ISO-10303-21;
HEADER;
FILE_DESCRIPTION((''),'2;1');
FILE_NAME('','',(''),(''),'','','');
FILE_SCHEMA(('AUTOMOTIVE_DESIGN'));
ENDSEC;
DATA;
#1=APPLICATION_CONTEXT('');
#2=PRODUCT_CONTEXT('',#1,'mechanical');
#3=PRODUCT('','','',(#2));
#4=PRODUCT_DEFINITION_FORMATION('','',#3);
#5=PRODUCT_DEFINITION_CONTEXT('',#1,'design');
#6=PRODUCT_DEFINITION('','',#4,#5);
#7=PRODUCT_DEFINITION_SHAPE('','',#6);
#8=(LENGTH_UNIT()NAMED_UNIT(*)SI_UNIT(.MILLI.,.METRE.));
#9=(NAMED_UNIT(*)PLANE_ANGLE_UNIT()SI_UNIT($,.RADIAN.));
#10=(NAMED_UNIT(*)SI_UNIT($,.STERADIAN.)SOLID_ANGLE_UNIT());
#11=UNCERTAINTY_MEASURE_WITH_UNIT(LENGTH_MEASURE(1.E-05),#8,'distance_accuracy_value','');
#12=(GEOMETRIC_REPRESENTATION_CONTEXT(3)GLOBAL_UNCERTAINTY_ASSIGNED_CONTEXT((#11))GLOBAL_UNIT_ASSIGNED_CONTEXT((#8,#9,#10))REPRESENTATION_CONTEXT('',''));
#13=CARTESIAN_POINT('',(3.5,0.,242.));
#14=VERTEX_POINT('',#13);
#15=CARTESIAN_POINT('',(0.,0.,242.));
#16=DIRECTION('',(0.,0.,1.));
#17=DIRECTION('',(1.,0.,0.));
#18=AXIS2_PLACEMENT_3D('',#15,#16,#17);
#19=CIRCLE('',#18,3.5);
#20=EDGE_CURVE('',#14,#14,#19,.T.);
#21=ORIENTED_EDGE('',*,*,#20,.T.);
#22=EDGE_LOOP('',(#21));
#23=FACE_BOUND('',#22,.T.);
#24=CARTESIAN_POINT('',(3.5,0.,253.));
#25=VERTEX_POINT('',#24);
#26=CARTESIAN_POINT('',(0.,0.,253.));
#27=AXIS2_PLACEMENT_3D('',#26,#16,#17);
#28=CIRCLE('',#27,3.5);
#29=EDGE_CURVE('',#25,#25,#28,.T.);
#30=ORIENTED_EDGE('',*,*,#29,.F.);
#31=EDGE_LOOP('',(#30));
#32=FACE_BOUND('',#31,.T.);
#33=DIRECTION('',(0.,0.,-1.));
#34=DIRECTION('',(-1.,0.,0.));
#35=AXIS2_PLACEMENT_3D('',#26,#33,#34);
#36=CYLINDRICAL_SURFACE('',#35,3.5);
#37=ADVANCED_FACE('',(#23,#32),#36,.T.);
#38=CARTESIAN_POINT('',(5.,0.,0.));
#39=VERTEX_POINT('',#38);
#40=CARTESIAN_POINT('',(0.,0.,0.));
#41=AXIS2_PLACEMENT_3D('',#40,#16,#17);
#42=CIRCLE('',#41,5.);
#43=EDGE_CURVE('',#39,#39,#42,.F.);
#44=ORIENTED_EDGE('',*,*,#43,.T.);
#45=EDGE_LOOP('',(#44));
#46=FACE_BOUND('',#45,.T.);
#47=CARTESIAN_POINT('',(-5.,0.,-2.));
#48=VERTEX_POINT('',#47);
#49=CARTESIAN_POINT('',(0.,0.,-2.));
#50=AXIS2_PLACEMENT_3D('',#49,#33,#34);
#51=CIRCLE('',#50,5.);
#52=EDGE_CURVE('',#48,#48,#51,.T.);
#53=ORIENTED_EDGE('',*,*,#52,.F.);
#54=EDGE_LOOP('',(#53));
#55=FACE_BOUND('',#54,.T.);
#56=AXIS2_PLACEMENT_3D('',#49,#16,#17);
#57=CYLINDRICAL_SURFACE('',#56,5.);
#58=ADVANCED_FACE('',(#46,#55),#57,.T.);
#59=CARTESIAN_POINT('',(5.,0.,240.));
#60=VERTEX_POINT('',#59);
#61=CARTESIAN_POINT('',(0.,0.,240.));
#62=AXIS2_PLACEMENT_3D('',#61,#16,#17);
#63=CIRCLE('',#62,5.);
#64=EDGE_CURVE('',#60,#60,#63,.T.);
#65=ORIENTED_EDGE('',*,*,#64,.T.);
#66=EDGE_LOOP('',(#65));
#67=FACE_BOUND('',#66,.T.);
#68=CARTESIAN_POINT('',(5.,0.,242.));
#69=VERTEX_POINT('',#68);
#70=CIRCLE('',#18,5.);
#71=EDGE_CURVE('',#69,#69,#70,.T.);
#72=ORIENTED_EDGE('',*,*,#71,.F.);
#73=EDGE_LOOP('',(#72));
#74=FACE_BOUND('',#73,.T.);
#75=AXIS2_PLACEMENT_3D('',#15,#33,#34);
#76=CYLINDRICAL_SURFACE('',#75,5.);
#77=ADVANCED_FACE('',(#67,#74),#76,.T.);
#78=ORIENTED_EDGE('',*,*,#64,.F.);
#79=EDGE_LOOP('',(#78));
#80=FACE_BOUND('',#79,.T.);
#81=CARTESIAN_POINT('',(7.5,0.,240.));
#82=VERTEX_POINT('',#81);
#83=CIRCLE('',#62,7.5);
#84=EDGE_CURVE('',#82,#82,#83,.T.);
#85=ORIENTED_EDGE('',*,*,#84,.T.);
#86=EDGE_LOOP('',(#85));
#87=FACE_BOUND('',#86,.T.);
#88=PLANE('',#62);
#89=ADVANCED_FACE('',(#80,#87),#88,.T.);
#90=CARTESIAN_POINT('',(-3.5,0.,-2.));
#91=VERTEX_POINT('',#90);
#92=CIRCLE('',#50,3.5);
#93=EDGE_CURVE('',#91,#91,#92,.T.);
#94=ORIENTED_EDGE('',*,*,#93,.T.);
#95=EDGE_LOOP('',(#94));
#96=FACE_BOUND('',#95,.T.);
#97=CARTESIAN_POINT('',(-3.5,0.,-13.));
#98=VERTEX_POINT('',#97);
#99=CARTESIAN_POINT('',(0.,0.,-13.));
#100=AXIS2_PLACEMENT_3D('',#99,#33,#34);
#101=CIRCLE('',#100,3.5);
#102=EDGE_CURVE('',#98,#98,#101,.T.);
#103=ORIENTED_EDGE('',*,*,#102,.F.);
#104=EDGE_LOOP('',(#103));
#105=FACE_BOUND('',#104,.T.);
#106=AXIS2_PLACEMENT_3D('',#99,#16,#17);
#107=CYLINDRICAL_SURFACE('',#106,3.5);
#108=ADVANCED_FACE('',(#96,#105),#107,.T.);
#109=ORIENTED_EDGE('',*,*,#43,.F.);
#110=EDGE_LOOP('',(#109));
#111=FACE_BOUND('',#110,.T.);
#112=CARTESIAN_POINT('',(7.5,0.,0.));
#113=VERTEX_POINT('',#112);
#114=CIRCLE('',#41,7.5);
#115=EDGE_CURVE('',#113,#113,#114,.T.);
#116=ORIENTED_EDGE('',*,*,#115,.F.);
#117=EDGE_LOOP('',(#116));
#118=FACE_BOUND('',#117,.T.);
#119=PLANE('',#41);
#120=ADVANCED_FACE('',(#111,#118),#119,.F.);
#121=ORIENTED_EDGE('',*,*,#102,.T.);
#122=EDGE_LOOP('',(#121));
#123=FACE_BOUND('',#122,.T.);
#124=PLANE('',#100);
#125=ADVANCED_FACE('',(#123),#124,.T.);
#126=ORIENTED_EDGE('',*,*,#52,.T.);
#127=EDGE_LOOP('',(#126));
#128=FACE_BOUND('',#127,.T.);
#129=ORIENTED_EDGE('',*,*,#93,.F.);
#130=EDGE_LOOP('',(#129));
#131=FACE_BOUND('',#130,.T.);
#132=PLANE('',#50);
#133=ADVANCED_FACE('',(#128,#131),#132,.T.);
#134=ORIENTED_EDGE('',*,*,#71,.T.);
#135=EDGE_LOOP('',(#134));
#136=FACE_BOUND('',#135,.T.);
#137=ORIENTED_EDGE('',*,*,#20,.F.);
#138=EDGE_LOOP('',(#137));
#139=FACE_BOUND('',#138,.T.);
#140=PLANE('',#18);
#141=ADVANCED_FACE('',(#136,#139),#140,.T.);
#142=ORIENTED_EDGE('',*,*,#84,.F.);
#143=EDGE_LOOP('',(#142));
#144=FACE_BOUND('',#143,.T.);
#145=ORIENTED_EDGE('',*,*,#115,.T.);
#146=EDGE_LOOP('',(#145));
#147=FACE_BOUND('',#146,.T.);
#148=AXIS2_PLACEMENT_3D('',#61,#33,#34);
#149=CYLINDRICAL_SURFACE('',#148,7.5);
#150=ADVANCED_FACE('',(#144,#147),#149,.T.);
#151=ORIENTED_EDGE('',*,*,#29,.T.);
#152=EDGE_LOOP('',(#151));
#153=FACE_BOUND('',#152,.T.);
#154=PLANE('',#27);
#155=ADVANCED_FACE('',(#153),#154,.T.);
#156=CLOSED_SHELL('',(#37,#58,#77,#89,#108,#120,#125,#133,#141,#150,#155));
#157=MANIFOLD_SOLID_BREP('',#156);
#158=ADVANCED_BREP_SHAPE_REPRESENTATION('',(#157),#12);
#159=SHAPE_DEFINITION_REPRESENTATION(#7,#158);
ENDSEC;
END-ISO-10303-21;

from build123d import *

# Parameters (mm, degrees)
SKETCH_1_R      = 7.5
EXTRUDE_1_DEPTH = 240
SKETCH_2_R      = 3.5
EXTRUDE_2_DEPTH = 13
SKETCH_3_R      = 3.5
EXTRUDE_3_DEPTH = 13
SKETCH_4_R      = 5
EXTRUDE_4_DEPTH = 2
SKETCH_5_R      = 5
EXTRUDE_5_DEPTH = 2


with BuildPart() as part:
    # 草图1 → 凸台-拉伸1 (new body)
    with BuildSketch(Plane.XY):
        Circle(SKETCH_1_R)
    extrude(amount=EXTRUDE_1_DEPTH)

    # 草图2 → 凸台-拉伸2 (add)
    with BuildSketch(Plane(origin=(0, 0, 0), x_dir=(-1, 0, 0), z_dir=(0, 0, -1))):
        Circle(SKETCH_2_R)
    extrude(amount=EXTRUDE_2_DEPTH)

    # 草图3 → 凸台-拉伸3 (add)
    with BuildSketch(Plane.XY.offset(240)):
        Circle(SKETCH_3_R)
    extrude(amount=EXTRUDE_3_DEPTH)

    # 草图4 → 凸台-拉伸4 (add)
    with BuildSketch(Plane(origin=(0, 0, 0), x_dir=(-1, 0, 0), z_dir=(0, 0, -1))):
        Circle(SKETCH_4_R)
    extrude(amount=EXTRUDE_4_DEPTH)

    # 草图5 → 凸台-拉伸5 (add)
    with BuildSketch(Plane.XY.offset(240)):
        Circle(SKETCH_5_R)
    extrude(amount=EXTRUDE_5_DEPTH)


solid = part.part
